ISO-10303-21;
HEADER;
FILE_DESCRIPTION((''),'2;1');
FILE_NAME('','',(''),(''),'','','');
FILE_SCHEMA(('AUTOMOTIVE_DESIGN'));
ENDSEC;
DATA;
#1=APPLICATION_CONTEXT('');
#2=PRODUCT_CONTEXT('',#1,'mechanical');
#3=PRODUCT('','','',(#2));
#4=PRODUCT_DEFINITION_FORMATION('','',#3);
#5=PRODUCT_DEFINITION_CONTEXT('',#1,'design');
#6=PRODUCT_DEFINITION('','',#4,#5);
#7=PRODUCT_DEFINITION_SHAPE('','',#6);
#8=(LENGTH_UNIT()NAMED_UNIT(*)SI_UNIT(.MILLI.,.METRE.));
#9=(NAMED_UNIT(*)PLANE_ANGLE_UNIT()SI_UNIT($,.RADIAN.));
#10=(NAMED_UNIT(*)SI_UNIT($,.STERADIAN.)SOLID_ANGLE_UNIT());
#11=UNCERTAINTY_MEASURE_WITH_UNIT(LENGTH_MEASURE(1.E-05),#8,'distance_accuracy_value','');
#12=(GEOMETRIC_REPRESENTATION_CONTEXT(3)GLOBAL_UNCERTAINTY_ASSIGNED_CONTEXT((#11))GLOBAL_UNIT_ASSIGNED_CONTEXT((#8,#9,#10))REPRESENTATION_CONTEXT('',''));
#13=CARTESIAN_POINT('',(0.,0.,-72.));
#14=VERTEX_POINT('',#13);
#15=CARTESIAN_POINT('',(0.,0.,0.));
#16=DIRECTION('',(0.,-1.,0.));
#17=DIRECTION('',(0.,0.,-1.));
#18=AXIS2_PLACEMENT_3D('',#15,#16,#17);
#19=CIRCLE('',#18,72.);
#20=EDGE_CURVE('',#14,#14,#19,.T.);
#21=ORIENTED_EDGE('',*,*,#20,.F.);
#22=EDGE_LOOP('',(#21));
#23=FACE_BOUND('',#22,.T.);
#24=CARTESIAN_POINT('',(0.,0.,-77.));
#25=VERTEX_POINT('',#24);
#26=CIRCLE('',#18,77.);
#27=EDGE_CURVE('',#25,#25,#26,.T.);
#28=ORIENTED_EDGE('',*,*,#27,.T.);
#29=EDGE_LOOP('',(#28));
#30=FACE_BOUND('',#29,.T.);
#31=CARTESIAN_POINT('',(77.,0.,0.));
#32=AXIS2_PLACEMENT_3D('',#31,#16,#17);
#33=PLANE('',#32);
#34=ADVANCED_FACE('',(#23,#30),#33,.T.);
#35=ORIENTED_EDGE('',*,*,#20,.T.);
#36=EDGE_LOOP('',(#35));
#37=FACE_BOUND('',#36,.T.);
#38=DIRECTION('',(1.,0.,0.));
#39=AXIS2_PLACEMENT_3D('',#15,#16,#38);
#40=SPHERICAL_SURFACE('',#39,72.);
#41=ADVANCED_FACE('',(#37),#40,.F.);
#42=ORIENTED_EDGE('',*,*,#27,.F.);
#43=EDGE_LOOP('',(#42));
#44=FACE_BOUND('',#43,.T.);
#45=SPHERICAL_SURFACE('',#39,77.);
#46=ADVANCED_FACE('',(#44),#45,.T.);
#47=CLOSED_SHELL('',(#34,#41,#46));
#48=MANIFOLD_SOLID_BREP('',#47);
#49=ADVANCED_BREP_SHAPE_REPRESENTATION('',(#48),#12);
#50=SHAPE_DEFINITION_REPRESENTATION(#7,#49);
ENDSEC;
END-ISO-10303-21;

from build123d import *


with BuildPart() as part:
    # Esquisse1 → Révolution1 (revolve)
    with BuildSketch(Plane.XY):
        with BuildLine():
            Line((0, 72), (0, 77))
            ThreePointArc((0, 77), (54.447222151, 54.447222151), (77, 0))
            Line((77, 0), (72, 0))
            ThreePointArc((72, 0), (50.911688245, 50.911688245), (0, 72))
        make_face()
    revolve(axis=Axis((0, 0, 0), (0, 1, 0)))


solid = part.part
